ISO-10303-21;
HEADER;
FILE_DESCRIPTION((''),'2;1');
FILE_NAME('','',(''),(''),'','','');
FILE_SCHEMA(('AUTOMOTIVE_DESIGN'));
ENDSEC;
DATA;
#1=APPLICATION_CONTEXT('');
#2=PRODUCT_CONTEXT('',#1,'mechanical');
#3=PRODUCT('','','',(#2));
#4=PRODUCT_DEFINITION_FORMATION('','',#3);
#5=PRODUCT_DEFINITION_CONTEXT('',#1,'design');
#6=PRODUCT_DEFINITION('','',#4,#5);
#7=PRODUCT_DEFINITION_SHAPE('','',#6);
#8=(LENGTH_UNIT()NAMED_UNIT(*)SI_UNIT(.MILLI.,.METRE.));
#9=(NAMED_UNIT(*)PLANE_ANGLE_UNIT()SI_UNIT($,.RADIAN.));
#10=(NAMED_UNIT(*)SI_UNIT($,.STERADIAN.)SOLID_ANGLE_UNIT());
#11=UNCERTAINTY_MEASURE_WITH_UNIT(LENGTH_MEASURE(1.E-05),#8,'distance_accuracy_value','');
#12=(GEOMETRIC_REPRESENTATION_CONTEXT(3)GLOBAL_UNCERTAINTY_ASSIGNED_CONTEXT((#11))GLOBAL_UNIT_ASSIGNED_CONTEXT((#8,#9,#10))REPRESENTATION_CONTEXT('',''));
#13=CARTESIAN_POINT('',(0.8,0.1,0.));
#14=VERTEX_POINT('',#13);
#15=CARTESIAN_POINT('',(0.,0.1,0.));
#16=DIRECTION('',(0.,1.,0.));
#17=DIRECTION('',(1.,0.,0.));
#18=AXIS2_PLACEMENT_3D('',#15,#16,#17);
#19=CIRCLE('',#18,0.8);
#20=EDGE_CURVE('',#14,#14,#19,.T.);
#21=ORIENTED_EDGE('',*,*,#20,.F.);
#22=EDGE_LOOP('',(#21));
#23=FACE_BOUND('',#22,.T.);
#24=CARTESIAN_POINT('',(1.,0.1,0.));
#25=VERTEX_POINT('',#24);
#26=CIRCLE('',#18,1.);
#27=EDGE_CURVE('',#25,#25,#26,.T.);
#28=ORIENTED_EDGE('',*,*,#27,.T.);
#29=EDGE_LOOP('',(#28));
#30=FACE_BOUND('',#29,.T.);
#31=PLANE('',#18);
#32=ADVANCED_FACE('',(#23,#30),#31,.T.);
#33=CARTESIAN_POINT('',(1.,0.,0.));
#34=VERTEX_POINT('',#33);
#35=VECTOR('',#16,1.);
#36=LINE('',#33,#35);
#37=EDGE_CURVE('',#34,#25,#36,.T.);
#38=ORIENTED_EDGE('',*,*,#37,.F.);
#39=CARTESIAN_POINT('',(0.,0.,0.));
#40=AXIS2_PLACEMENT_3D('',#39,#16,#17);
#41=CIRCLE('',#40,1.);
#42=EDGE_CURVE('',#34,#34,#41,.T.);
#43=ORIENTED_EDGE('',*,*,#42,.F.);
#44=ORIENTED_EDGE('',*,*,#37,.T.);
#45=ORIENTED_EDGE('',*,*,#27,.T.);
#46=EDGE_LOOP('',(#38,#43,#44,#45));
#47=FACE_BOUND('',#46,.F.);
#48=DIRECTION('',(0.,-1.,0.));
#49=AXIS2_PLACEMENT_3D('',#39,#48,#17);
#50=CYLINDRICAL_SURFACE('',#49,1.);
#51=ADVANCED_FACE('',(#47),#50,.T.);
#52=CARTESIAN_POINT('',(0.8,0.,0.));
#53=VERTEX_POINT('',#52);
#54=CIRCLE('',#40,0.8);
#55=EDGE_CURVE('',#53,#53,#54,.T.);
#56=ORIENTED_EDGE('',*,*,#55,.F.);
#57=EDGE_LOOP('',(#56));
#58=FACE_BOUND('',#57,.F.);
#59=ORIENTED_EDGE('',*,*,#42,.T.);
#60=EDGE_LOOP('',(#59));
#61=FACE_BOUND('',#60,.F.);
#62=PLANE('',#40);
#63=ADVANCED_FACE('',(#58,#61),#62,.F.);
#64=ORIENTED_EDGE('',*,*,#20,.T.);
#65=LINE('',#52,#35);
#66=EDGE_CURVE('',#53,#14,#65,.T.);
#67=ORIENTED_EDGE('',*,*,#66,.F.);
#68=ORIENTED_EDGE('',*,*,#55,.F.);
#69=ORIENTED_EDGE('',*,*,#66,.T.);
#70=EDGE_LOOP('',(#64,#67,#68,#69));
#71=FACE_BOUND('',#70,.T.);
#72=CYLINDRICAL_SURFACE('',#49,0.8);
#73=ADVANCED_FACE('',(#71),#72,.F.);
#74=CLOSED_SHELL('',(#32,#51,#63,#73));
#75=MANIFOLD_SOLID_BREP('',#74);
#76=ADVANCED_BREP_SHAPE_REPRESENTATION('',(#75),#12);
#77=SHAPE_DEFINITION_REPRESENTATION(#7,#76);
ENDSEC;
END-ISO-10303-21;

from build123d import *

# Parameters (mm, degrees)
SKETCH_1_R      = 1
SKETCH_1_R_2    = 0.8
EXTRUDE_1_DEPTH = 0.1


with BuildPart() as part:
    # 草图1 → 拉伸-薄壁1 (new body)
    with BuildSketch(Plane(origin=(0, 0, 0), x_dir=(1, 0, 0), z_dir=(0, 1, 0))):
        Circle(SKETCH_1_R)
        Circle(SKETCH_1_R_2, mode=Mode.SUBTRACT)
    extrude(amount=EXTRUDE_1_DEPTH)


solid = part.part
